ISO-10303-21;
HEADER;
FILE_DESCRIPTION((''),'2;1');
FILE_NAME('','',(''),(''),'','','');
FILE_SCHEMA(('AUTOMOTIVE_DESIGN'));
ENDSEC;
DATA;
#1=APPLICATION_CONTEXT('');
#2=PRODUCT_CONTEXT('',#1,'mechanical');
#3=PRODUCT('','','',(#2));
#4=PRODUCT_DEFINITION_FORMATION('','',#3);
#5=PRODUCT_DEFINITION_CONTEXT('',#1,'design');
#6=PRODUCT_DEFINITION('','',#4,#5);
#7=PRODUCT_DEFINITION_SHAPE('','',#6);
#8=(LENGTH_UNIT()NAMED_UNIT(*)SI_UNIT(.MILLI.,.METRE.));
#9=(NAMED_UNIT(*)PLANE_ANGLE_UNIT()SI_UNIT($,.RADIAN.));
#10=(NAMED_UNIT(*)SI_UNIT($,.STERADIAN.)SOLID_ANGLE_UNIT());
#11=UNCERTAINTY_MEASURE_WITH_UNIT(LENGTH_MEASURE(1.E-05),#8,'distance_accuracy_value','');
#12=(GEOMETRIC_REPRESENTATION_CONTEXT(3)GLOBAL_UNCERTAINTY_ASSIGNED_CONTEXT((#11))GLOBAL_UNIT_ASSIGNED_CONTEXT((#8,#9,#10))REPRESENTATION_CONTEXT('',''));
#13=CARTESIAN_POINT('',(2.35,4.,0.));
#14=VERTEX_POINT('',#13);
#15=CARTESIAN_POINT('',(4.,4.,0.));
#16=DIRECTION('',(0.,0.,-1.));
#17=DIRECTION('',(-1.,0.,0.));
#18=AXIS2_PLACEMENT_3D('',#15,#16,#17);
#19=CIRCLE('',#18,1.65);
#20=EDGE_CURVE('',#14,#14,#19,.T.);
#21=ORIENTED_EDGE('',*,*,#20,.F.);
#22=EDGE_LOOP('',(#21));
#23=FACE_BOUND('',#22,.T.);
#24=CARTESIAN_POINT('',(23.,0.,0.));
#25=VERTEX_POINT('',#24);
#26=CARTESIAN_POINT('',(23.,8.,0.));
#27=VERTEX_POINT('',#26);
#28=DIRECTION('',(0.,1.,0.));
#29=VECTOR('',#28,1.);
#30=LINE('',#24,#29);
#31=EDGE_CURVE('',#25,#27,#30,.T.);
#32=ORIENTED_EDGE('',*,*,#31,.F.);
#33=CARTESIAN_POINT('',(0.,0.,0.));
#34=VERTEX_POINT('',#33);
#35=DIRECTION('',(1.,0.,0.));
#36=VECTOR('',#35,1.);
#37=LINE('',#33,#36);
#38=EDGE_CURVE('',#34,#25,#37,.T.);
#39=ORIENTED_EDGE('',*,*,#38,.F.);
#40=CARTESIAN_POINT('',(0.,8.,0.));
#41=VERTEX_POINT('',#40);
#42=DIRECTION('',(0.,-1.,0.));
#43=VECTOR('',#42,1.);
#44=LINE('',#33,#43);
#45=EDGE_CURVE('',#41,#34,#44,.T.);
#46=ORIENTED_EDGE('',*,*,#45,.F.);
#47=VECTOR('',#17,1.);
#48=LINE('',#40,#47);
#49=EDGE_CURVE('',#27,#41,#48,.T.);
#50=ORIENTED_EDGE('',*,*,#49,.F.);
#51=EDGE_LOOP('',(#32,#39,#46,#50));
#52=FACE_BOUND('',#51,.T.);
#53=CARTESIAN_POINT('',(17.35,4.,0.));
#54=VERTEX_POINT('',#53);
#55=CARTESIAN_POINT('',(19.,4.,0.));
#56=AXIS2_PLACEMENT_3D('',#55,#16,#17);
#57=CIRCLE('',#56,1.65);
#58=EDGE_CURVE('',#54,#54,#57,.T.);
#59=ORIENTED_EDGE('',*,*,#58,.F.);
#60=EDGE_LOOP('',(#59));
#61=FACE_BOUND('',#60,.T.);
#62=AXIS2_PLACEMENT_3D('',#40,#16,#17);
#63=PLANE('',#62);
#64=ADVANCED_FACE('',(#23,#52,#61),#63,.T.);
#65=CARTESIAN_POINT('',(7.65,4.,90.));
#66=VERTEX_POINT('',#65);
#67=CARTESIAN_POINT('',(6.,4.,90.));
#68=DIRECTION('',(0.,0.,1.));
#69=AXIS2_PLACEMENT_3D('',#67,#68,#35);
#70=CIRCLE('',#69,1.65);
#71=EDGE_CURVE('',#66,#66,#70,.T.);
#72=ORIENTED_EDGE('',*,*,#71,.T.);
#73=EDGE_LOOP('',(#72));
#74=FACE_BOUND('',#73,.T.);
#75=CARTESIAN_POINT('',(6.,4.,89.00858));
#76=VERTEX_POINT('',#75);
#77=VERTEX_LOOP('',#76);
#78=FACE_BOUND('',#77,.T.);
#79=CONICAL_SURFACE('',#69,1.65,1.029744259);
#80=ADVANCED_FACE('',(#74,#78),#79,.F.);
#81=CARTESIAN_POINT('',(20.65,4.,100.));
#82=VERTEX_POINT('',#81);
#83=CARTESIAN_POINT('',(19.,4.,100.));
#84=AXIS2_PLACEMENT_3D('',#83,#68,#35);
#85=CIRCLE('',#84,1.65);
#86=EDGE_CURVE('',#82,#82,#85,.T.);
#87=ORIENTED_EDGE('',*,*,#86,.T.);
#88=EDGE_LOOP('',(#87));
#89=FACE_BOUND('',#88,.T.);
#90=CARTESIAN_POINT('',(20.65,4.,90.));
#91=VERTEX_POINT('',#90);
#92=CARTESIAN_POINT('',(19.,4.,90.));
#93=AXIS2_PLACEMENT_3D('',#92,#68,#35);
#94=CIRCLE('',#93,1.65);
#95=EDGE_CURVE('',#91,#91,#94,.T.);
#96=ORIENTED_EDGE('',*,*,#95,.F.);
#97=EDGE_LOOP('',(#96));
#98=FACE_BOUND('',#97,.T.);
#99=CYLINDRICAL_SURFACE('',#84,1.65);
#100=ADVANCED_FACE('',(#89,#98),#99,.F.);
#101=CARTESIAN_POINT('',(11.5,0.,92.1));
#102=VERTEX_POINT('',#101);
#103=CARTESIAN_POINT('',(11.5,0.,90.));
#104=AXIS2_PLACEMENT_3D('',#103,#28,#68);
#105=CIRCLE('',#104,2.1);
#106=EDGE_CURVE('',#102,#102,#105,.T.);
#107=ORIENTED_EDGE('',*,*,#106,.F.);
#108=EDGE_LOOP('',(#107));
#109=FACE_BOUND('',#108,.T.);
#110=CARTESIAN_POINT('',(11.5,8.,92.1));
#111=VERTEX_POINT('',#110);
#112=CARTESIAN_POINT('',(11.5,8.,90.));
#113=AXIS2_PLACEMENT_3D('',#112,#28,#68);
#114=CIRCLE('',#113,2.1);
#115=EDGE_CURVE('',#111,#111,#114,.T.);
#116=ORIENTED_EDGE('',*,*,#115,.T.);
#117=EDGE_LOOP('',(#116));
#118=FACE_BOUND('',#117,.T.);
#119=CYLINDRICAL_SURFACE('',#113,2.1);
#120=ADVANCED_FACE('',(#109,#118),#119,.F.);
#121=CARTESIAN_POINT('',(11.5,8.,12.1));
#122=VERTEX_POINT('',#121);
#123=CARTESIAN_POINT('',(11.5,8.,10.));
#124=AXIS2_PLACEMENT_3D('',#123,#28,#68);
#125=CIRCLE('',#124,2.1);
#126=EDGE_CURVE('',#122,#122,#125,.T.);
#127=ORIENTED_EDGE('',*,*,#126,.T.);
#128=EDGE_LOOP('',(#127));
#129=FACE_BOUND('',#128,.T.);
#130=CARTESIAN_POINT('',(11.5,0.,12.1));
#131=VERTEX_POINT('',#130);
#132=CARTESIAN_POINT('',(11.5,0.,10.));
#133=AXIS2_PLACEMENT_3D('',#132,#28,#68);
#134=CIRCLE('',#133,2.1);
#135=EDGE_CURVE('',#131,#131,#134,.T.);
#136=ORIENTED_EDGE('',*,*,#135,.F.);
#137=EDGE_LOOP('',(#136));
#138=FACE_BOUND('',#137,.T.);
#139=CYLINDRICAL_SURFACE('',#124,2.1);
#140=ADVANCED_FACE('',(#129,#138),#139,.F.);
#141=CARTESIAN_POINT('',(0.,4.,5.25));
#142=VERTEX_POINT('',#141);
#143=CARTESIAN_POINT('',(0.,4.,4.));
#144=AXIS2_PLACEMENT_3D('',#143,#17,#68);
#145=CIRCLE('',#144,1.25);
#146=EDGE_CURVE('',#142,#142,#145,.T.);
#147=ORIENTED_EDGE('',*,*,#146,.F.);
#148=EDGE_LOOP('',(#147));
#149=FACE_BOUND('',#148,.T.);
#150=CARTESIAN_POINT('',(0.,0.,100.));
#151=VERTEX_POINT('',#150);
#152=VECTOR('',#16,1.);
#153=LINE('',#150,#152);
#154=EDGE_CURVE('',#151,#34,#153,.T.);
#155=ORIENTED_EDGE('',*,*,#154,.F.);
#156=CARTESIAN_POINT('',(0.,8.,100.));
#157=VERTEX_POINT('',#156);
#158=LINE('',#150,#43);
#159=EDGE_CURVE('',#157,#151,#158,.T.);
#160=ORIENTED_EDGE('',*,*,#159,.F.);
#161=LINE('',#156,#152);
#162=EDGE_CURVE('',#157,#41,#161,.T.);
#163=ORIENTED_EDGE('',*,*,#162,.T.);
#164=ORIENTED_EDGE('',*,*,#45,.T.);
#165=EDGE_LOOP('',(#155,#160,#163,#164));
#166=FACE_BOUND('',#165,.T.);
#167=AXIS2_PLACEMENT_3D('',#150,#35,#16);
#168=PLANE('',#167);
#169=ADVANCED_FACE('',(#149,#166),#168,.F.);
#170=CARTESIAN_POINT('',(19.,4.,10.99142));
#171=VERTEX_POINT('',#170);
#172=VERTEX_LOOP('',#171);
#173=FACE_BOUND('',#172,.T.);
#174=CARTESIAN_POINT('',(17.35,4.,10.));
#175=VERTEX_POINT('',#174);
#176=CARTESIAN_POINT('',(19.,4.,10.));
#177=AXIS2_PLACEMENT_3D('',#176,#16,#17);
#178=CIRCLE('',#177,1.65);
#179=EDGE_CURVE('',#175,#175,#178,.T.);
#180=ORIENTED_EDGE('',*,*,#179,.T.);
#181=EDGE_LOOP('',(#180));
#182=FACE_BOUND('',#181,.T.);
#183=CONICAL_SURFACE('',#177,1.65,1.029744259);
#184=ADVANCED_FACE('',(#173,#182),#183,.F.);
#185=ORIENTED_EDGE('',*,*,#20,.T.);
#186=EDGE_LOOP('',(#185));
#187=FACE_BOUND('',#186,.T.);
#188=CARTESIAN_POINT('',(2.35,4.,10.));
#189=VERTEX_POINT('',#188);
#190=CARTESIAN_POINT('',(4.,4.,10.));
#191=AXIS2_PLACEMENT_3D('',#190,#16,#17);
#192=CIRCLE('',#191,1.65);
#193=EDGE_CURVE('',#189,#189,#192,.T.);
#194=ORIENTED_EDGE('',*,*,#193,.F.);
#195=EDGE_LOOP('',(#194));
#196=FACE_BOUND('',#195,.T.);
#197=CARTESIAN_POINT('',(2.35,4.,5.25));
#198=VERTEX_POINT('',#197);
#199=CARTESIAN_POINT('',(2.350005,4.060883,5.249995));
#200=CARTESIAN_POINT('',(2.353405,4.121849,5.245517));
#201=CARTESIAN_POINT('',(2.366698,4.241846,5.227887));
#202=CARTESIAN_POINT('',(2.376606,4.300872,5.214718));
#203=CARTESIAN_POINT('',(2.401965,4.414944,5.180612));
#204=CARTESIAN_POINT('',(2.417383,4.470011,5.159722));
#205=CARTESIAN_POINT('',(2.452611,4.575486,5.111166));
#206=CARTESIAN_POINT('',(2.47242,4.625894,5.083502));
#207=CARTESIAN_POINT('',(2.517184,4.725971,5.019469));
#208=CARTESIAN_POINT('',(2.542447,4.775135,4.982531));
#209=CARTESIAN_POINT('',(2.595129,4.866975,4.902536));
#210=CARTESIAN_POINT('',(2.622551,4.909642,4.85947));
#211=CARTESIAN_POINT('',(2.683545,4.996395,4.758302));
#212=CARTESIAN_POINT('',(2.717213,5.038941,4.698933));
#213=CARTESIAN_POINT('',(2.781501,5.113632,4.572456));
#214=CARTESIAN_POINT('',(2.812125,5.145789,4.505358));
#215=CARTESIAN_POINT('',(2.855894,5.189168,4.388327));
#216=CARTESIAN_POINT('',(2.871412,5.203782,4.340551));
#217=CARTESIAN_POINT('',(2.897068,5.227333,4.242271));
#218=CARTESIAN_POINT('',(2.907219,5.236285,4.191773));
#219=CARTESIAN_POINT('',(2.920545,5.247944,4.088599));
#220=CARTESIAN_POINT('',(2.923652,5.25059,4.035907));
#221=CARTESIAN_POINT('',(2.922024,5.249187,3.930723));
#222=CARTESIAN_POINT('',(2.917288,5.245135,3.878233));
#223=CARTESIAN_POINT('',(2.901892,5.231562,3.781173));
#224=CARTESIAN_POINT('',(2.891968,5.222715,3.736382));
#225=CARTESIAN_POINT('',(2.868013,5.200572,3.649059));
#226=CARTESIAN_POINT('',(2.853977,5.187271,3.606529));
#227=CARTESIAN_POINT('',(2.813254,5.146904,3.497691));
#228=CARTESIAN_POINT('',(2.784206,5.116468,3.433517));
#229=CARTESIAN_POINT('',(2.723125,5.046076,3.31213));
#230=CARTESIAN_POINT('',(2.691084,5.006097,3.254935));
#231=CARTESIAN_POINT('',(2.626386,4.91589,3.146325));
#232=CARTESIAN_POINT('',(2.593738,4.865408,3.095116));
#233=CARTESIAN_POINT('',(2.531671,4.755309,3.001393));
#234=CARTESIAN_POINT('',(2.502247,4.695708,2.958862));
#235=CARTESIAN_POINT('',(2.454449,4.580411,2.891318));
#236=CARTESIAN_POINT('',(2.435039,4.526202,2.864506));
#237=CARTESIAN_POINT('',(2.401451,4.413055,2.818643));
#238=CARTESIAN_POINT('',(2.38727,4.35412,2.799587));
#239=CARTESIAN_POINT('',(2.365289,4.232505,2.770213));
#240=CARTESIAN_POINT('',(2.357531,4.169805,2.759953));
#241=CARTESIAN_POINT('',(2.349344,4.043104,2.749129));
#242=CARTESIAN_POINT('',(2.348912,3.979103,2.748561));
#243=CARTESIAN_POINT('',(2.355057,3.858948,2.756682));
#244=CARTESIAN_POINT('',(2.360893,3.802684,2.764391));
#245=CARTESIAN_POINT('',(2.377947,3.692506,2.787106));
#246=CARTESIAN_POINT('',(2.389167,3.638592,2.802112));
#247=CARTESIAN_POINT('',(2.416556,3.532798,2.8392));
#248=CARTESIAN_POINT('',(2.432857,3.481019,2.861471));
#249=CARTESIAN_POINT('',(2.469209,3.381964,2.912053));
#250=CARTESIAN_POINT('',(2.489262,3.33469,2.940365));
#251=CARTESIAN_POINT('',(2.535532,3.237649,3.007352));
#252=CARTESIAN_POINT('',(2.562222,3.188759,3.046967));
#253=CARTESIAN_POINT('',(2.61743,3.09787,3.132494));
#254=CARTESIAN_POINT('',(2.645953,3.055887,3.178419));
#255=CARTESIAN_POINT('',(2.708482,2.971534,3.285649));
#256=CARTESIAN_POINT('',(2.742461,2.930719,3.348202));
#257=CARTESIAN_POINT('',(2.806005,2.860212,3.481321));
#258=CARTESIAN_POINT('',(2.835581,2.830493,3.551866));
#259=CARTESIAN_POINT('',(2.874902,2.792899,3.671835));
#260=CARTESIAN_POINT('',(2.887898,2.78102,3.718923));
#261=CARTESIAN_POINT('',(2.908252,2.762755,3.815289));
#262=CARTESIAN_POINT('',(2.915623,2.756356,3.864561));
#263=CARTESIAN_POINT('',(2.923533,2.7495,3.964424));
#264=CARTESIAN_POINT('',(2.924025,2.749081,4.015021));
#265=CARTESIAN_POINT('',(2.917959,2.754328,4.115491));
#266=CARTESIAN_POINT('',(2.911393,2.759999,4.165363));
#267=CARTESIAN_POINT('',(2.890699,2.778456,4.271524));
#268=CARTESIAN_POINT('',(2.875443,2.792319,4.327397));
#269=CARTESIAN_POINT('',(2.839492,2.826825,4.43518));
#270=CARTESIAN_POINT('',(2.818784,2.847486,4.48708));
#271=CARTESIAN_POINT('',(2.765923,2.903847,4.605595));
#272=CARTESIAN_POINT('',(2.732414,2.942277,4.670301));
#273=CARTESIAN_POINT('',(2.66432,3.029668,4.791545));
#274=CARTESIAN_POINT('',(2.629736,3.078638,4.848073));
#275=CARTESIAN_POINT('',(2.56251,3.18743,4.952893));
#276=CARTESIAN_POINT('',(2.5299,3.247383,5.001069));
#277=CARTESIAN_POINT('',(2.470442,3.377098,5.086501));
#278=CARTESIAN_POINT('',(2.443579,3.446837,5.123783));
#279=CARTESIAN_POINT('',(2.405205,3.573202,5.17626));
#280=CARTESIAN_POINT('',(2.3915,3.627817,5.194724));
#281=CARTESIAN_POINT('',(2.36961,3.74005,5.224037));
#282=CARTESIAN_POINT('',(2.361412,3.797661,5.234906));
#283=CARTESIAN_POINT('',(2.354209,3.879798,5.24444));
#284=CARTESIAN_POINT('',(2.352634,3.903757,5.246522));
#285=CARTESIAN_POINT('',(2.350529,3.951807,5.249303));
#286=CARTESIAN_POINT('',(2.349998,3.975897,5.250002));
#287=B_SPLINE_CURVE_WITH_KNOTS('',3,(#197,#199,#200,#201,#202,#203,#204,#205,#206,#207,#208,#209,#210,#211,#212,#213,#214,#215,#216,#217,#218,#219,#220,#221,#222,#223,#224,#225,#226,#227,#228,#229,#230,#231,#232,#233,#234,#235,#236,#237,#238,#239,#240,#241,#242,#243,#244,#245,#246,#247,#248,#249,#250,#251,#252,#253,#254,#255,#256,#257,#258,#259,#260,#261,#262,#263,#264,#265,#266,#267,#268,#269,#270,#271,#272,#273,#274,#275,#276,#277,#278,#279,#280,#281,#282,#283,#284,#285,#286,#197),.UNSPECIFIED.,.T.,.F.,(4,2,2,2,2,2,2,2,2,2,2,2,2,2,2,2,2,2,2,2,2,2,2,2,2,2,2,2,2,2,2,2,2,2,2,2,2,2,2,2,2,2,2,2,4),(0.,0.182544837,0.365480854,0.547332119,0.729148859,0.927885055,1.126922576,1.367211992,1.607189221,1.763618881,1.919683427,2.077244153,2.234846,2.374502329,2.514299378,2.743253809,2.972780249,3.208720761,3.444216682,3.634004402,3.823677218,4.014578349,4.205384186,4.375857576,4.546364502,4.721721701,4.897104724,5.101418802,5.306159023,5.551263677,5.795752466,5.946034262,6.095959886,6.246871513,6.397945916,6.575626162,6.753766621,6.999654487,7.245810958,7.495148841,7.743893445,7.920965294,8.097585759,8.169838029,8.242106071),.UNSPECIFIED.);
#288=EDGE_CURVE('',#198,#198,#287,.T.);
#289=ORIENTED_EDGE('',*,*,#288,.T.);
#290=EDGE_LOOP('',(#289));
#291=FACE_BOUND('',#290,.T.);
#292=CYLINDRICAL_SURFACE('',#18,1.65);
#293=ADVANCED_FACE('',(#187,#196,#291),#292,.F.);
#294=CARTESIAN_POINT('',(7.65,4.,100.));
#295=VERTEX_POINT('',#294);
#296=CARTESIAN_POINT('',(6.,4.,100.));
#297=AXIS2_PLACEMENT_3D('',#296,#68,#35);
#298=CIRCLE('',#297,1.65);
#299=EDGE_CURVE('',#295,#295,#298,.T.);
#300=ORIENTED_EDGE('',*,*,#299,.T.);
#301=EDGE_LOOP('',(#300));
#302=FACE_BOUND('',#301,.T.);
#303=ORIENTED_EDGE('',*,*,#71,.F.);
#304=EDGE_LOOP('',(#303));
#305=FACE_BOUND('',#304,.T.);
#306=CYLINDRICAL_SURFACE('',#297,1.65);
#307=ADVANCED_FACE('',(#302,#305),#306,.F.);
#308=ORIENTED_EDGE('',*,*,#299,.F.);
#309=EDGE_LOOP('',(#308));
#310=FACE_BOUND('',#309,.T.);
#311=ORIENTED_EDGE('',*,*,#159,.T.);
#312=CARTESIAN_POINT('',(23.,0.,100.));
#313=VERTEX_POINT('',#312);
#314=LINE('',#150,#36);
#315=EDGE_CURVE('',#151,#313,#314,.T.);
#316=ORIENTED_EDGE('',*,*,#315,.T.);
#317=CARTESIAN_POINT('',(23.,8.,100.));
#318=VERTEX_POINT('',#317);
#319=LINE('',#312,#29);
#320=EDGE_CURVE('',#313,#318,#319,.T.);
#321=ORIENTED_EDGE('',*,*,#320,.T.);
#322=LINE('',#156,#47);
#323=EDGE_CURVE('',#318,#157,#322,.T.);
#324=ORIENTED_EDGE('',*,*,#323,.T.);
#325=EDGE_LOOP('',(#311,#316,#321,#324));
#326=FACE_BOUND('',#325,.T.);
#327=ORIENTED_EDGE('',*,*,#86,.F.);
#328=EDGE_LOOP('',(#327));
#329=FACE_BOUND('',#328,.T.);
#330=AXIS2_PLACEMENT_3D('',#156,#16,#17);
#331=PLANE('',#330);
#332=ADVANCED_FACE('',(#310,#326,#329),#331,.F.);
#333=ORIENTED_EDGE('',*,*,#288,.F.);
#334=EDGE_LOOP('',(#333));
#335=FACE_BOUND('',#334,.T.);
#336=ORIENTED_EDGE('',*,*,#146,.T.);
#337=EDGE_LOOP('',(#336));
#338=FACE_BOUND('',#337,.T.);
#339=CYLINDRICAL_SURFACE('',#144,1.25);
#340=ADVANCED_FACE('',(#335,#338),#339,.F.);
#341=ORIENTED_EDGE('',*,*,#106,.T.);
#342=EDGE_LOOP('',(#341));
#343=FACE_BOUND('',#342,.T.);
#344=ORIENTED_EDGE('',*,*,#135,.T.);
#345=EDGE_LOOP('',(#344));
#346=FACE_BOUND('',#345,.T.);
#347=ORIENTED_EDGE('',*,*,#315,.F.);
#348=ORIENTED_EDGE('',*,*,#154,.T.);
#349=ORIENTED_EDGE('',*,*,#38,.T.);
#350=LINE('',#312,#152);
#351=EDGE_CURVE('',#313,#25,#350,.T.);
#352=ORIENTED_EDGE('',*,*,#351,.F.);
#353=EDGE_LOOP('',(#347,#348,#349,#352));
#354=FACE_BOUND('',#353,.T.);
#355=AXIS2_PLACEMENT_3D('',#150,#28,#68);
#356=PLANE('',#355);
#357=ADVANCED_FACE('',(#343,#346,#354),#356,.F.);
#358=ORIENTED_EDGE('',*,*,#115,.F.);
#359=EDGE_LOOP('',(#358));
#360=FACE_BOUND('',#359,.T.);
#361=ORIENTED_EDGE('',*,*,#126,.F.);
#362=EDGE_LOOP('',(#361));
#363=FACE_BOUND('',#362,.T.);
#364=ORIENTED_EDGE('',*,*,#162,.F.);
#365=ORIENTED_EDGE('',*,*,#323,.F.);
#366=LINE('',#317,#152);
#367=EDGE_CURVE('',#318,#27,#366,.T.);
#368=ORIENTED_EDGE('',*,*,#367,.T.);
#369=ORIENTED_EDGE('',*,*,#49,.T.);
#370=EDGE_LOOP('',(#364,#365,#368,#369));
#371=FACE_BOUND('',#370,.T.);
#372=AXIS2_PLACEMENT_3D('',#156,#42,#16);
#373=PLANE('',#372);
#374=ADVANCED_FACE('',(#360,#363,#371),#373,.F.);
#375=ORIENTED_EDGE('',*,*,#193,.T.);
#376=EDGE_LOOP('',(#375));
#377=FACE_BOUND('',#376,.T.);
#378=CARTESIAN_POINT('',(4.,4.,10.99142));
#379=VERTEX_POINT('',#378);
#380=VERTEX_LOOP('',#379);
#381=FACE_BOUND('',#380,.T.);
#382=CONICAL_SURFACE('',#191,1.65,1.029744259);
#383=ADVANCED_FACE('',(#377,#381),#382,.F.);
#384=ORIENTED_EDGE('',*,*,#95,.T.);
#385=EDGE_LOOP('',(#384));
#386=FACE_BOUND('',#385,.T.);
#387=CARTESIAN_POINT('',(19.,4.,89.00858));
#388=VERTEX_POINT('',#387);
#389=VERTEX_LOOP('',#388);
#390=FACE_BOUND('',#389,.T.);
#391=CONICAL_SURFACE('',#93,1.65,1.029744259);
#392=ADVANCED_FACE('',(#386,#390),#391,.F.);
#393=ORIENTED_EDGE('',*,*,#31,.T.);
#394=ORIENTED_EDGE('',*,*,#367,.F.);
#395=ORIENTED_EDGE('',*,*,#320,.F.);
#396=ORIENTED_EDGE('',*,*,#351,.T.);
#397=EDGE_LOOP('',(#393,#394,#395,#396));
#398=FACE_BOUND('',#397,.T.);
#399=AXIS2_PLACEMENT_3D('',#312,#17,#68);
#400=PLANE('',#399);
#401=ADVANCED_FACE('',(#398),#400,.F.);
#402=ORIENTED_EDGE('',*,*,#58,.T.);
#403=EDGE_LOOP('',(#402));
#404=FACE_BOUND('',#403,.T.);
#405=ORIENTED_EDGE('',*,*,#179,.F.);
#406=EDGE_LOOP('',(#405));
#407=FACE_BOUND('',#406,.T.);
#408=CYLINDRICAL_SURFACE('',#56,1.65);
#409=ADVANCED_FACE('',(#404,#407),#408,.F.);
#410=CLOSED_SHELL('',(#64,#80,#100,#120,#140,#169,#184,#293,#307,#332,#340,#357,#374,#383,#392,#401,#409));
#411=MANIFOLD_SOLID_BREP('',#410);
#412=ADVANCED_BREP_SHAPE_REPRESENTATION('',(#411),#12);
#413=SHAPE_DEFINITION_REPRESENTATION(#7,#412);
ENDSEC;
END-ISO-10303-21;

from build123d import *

# Parameters (mm, degrees)
SKETCH3_W                       = 23
SKETCH3_H                       = 8
EXTRUDE1_DEPTH                  = 100
M5_TAPPED_HOLE1_D               = 4.2
M4_TAPPED_HOLE1_D               = 3.3
M4_TAPPED_HOLE1_DEPTH           = 10
M4_TAPPED_HOLE1_TIP             = 0.991420021
M4_TAPPED_HOLE1_ON_FACE_2_D     = 3.3
M4_TAPPED_HOLE1_ON_FACE_2_DEPTH = 10
M4_TAPPED_HOLE1_ON_FACE_2_TIP   = 0.991420021
M3_TAPPED_HOLE1_REACH           = 25
M3_TAPPED_HOLE1_BORE_R          = 1.25


with BuildPart() as part:
    # Sketch3 → Extrude1 (new body)
    with BuildSketch(Plane.XY):
        with Locations((11.5, 4)):
            Rectangle(SKETCH3_W, SKETCH3_H)
    extrude(amount=EXTRUDE1_DEPTH)

    # M5 Tapped Hole1 (through all)
    with Locations(Plane(origin=(11.5, 8, 90), x_dir=(0, 0, 1), z_dir=(0, 1, 0))):
        with Locations((0, 0), (-80, 0)):
            Hole(M5_TAPPED_HOLE1_D / 2)

    # M4 Tapped Hole1
    with Locations(Plane(origin=(6, 4, 100), x_dir=(1, 0, 0), z_dir=(0, 0, 1))):
        with Locations((0, 0), (13, 0)):
            Hole(M4_TAPPED_HOLE1_D / 2, depth=M4_TAPPED_HOLE1_DEPTH)
            with Locations((0, 0, -(M4_TAPPED_HOLE1_DEPTH + M4_TAPPED_HOLE1_TIP / 2))):  # 118° drill point
                Cone(0, M4_TAPPED_HOLE1_D / 2, M4_TAPPED_HOLE1_TIP, mode=Mode.SUBTRACT)

    # M4 Tapped Hole1 on face 2
    with Locations(Plane(origin=(19, 4, 0), x_dir=(-1, 0, 0), z_dir=(0, 0, -1))):
        with Locations((0, 0), (15, 0)):
            Hole(M4_TAPPED_HOLE1_ON_FACE_2_D / 2, depth=M4_TAPPED_HOLE1_ON_FACE_2_DEPTH)
            with Locations((0, 0, -(M4_TAPPED_HOLE1_ON_FACE_2_DEPTH + M4_TAPPED_HOLE1_ON_FACE_2_TIP / 2))):  # 118° drill point
                Cone(0, M4_TAPPED_HOLE1_ON_FACE_2_D / 2, M4_TAPPED_HOLE1_ON_FACE_2_TIP, mode=Mode.SUBTRACT)

    # M3 Tapped Hole1 bore (on position points) → M3 Tapped Hole1 (cut, up to next)
    with BuildSketch(Plane(origin=(0, 4, 4), x_dir=(0, 0, -1), z_dir=(-1, 0, 0)), mode=Mode.PRIVATE) as m3_tapped_hole1_sk1:
        Circle(M3_TAPPED_HOLE1_BORE_R)
    m3_tapped_hole1_tool1 = extrude(m3_tapped_hole1_sk1.sketch, amount=-M3_TAPPED_HOLE1_REACH, mode=Mode.PRIVATE) & part.part
    add(m3_tapped_hole1_tool1.solids().sort_by_distance((0, 4, 4))[0], mode=Mode.SUBTRACT)


solid = part.part
